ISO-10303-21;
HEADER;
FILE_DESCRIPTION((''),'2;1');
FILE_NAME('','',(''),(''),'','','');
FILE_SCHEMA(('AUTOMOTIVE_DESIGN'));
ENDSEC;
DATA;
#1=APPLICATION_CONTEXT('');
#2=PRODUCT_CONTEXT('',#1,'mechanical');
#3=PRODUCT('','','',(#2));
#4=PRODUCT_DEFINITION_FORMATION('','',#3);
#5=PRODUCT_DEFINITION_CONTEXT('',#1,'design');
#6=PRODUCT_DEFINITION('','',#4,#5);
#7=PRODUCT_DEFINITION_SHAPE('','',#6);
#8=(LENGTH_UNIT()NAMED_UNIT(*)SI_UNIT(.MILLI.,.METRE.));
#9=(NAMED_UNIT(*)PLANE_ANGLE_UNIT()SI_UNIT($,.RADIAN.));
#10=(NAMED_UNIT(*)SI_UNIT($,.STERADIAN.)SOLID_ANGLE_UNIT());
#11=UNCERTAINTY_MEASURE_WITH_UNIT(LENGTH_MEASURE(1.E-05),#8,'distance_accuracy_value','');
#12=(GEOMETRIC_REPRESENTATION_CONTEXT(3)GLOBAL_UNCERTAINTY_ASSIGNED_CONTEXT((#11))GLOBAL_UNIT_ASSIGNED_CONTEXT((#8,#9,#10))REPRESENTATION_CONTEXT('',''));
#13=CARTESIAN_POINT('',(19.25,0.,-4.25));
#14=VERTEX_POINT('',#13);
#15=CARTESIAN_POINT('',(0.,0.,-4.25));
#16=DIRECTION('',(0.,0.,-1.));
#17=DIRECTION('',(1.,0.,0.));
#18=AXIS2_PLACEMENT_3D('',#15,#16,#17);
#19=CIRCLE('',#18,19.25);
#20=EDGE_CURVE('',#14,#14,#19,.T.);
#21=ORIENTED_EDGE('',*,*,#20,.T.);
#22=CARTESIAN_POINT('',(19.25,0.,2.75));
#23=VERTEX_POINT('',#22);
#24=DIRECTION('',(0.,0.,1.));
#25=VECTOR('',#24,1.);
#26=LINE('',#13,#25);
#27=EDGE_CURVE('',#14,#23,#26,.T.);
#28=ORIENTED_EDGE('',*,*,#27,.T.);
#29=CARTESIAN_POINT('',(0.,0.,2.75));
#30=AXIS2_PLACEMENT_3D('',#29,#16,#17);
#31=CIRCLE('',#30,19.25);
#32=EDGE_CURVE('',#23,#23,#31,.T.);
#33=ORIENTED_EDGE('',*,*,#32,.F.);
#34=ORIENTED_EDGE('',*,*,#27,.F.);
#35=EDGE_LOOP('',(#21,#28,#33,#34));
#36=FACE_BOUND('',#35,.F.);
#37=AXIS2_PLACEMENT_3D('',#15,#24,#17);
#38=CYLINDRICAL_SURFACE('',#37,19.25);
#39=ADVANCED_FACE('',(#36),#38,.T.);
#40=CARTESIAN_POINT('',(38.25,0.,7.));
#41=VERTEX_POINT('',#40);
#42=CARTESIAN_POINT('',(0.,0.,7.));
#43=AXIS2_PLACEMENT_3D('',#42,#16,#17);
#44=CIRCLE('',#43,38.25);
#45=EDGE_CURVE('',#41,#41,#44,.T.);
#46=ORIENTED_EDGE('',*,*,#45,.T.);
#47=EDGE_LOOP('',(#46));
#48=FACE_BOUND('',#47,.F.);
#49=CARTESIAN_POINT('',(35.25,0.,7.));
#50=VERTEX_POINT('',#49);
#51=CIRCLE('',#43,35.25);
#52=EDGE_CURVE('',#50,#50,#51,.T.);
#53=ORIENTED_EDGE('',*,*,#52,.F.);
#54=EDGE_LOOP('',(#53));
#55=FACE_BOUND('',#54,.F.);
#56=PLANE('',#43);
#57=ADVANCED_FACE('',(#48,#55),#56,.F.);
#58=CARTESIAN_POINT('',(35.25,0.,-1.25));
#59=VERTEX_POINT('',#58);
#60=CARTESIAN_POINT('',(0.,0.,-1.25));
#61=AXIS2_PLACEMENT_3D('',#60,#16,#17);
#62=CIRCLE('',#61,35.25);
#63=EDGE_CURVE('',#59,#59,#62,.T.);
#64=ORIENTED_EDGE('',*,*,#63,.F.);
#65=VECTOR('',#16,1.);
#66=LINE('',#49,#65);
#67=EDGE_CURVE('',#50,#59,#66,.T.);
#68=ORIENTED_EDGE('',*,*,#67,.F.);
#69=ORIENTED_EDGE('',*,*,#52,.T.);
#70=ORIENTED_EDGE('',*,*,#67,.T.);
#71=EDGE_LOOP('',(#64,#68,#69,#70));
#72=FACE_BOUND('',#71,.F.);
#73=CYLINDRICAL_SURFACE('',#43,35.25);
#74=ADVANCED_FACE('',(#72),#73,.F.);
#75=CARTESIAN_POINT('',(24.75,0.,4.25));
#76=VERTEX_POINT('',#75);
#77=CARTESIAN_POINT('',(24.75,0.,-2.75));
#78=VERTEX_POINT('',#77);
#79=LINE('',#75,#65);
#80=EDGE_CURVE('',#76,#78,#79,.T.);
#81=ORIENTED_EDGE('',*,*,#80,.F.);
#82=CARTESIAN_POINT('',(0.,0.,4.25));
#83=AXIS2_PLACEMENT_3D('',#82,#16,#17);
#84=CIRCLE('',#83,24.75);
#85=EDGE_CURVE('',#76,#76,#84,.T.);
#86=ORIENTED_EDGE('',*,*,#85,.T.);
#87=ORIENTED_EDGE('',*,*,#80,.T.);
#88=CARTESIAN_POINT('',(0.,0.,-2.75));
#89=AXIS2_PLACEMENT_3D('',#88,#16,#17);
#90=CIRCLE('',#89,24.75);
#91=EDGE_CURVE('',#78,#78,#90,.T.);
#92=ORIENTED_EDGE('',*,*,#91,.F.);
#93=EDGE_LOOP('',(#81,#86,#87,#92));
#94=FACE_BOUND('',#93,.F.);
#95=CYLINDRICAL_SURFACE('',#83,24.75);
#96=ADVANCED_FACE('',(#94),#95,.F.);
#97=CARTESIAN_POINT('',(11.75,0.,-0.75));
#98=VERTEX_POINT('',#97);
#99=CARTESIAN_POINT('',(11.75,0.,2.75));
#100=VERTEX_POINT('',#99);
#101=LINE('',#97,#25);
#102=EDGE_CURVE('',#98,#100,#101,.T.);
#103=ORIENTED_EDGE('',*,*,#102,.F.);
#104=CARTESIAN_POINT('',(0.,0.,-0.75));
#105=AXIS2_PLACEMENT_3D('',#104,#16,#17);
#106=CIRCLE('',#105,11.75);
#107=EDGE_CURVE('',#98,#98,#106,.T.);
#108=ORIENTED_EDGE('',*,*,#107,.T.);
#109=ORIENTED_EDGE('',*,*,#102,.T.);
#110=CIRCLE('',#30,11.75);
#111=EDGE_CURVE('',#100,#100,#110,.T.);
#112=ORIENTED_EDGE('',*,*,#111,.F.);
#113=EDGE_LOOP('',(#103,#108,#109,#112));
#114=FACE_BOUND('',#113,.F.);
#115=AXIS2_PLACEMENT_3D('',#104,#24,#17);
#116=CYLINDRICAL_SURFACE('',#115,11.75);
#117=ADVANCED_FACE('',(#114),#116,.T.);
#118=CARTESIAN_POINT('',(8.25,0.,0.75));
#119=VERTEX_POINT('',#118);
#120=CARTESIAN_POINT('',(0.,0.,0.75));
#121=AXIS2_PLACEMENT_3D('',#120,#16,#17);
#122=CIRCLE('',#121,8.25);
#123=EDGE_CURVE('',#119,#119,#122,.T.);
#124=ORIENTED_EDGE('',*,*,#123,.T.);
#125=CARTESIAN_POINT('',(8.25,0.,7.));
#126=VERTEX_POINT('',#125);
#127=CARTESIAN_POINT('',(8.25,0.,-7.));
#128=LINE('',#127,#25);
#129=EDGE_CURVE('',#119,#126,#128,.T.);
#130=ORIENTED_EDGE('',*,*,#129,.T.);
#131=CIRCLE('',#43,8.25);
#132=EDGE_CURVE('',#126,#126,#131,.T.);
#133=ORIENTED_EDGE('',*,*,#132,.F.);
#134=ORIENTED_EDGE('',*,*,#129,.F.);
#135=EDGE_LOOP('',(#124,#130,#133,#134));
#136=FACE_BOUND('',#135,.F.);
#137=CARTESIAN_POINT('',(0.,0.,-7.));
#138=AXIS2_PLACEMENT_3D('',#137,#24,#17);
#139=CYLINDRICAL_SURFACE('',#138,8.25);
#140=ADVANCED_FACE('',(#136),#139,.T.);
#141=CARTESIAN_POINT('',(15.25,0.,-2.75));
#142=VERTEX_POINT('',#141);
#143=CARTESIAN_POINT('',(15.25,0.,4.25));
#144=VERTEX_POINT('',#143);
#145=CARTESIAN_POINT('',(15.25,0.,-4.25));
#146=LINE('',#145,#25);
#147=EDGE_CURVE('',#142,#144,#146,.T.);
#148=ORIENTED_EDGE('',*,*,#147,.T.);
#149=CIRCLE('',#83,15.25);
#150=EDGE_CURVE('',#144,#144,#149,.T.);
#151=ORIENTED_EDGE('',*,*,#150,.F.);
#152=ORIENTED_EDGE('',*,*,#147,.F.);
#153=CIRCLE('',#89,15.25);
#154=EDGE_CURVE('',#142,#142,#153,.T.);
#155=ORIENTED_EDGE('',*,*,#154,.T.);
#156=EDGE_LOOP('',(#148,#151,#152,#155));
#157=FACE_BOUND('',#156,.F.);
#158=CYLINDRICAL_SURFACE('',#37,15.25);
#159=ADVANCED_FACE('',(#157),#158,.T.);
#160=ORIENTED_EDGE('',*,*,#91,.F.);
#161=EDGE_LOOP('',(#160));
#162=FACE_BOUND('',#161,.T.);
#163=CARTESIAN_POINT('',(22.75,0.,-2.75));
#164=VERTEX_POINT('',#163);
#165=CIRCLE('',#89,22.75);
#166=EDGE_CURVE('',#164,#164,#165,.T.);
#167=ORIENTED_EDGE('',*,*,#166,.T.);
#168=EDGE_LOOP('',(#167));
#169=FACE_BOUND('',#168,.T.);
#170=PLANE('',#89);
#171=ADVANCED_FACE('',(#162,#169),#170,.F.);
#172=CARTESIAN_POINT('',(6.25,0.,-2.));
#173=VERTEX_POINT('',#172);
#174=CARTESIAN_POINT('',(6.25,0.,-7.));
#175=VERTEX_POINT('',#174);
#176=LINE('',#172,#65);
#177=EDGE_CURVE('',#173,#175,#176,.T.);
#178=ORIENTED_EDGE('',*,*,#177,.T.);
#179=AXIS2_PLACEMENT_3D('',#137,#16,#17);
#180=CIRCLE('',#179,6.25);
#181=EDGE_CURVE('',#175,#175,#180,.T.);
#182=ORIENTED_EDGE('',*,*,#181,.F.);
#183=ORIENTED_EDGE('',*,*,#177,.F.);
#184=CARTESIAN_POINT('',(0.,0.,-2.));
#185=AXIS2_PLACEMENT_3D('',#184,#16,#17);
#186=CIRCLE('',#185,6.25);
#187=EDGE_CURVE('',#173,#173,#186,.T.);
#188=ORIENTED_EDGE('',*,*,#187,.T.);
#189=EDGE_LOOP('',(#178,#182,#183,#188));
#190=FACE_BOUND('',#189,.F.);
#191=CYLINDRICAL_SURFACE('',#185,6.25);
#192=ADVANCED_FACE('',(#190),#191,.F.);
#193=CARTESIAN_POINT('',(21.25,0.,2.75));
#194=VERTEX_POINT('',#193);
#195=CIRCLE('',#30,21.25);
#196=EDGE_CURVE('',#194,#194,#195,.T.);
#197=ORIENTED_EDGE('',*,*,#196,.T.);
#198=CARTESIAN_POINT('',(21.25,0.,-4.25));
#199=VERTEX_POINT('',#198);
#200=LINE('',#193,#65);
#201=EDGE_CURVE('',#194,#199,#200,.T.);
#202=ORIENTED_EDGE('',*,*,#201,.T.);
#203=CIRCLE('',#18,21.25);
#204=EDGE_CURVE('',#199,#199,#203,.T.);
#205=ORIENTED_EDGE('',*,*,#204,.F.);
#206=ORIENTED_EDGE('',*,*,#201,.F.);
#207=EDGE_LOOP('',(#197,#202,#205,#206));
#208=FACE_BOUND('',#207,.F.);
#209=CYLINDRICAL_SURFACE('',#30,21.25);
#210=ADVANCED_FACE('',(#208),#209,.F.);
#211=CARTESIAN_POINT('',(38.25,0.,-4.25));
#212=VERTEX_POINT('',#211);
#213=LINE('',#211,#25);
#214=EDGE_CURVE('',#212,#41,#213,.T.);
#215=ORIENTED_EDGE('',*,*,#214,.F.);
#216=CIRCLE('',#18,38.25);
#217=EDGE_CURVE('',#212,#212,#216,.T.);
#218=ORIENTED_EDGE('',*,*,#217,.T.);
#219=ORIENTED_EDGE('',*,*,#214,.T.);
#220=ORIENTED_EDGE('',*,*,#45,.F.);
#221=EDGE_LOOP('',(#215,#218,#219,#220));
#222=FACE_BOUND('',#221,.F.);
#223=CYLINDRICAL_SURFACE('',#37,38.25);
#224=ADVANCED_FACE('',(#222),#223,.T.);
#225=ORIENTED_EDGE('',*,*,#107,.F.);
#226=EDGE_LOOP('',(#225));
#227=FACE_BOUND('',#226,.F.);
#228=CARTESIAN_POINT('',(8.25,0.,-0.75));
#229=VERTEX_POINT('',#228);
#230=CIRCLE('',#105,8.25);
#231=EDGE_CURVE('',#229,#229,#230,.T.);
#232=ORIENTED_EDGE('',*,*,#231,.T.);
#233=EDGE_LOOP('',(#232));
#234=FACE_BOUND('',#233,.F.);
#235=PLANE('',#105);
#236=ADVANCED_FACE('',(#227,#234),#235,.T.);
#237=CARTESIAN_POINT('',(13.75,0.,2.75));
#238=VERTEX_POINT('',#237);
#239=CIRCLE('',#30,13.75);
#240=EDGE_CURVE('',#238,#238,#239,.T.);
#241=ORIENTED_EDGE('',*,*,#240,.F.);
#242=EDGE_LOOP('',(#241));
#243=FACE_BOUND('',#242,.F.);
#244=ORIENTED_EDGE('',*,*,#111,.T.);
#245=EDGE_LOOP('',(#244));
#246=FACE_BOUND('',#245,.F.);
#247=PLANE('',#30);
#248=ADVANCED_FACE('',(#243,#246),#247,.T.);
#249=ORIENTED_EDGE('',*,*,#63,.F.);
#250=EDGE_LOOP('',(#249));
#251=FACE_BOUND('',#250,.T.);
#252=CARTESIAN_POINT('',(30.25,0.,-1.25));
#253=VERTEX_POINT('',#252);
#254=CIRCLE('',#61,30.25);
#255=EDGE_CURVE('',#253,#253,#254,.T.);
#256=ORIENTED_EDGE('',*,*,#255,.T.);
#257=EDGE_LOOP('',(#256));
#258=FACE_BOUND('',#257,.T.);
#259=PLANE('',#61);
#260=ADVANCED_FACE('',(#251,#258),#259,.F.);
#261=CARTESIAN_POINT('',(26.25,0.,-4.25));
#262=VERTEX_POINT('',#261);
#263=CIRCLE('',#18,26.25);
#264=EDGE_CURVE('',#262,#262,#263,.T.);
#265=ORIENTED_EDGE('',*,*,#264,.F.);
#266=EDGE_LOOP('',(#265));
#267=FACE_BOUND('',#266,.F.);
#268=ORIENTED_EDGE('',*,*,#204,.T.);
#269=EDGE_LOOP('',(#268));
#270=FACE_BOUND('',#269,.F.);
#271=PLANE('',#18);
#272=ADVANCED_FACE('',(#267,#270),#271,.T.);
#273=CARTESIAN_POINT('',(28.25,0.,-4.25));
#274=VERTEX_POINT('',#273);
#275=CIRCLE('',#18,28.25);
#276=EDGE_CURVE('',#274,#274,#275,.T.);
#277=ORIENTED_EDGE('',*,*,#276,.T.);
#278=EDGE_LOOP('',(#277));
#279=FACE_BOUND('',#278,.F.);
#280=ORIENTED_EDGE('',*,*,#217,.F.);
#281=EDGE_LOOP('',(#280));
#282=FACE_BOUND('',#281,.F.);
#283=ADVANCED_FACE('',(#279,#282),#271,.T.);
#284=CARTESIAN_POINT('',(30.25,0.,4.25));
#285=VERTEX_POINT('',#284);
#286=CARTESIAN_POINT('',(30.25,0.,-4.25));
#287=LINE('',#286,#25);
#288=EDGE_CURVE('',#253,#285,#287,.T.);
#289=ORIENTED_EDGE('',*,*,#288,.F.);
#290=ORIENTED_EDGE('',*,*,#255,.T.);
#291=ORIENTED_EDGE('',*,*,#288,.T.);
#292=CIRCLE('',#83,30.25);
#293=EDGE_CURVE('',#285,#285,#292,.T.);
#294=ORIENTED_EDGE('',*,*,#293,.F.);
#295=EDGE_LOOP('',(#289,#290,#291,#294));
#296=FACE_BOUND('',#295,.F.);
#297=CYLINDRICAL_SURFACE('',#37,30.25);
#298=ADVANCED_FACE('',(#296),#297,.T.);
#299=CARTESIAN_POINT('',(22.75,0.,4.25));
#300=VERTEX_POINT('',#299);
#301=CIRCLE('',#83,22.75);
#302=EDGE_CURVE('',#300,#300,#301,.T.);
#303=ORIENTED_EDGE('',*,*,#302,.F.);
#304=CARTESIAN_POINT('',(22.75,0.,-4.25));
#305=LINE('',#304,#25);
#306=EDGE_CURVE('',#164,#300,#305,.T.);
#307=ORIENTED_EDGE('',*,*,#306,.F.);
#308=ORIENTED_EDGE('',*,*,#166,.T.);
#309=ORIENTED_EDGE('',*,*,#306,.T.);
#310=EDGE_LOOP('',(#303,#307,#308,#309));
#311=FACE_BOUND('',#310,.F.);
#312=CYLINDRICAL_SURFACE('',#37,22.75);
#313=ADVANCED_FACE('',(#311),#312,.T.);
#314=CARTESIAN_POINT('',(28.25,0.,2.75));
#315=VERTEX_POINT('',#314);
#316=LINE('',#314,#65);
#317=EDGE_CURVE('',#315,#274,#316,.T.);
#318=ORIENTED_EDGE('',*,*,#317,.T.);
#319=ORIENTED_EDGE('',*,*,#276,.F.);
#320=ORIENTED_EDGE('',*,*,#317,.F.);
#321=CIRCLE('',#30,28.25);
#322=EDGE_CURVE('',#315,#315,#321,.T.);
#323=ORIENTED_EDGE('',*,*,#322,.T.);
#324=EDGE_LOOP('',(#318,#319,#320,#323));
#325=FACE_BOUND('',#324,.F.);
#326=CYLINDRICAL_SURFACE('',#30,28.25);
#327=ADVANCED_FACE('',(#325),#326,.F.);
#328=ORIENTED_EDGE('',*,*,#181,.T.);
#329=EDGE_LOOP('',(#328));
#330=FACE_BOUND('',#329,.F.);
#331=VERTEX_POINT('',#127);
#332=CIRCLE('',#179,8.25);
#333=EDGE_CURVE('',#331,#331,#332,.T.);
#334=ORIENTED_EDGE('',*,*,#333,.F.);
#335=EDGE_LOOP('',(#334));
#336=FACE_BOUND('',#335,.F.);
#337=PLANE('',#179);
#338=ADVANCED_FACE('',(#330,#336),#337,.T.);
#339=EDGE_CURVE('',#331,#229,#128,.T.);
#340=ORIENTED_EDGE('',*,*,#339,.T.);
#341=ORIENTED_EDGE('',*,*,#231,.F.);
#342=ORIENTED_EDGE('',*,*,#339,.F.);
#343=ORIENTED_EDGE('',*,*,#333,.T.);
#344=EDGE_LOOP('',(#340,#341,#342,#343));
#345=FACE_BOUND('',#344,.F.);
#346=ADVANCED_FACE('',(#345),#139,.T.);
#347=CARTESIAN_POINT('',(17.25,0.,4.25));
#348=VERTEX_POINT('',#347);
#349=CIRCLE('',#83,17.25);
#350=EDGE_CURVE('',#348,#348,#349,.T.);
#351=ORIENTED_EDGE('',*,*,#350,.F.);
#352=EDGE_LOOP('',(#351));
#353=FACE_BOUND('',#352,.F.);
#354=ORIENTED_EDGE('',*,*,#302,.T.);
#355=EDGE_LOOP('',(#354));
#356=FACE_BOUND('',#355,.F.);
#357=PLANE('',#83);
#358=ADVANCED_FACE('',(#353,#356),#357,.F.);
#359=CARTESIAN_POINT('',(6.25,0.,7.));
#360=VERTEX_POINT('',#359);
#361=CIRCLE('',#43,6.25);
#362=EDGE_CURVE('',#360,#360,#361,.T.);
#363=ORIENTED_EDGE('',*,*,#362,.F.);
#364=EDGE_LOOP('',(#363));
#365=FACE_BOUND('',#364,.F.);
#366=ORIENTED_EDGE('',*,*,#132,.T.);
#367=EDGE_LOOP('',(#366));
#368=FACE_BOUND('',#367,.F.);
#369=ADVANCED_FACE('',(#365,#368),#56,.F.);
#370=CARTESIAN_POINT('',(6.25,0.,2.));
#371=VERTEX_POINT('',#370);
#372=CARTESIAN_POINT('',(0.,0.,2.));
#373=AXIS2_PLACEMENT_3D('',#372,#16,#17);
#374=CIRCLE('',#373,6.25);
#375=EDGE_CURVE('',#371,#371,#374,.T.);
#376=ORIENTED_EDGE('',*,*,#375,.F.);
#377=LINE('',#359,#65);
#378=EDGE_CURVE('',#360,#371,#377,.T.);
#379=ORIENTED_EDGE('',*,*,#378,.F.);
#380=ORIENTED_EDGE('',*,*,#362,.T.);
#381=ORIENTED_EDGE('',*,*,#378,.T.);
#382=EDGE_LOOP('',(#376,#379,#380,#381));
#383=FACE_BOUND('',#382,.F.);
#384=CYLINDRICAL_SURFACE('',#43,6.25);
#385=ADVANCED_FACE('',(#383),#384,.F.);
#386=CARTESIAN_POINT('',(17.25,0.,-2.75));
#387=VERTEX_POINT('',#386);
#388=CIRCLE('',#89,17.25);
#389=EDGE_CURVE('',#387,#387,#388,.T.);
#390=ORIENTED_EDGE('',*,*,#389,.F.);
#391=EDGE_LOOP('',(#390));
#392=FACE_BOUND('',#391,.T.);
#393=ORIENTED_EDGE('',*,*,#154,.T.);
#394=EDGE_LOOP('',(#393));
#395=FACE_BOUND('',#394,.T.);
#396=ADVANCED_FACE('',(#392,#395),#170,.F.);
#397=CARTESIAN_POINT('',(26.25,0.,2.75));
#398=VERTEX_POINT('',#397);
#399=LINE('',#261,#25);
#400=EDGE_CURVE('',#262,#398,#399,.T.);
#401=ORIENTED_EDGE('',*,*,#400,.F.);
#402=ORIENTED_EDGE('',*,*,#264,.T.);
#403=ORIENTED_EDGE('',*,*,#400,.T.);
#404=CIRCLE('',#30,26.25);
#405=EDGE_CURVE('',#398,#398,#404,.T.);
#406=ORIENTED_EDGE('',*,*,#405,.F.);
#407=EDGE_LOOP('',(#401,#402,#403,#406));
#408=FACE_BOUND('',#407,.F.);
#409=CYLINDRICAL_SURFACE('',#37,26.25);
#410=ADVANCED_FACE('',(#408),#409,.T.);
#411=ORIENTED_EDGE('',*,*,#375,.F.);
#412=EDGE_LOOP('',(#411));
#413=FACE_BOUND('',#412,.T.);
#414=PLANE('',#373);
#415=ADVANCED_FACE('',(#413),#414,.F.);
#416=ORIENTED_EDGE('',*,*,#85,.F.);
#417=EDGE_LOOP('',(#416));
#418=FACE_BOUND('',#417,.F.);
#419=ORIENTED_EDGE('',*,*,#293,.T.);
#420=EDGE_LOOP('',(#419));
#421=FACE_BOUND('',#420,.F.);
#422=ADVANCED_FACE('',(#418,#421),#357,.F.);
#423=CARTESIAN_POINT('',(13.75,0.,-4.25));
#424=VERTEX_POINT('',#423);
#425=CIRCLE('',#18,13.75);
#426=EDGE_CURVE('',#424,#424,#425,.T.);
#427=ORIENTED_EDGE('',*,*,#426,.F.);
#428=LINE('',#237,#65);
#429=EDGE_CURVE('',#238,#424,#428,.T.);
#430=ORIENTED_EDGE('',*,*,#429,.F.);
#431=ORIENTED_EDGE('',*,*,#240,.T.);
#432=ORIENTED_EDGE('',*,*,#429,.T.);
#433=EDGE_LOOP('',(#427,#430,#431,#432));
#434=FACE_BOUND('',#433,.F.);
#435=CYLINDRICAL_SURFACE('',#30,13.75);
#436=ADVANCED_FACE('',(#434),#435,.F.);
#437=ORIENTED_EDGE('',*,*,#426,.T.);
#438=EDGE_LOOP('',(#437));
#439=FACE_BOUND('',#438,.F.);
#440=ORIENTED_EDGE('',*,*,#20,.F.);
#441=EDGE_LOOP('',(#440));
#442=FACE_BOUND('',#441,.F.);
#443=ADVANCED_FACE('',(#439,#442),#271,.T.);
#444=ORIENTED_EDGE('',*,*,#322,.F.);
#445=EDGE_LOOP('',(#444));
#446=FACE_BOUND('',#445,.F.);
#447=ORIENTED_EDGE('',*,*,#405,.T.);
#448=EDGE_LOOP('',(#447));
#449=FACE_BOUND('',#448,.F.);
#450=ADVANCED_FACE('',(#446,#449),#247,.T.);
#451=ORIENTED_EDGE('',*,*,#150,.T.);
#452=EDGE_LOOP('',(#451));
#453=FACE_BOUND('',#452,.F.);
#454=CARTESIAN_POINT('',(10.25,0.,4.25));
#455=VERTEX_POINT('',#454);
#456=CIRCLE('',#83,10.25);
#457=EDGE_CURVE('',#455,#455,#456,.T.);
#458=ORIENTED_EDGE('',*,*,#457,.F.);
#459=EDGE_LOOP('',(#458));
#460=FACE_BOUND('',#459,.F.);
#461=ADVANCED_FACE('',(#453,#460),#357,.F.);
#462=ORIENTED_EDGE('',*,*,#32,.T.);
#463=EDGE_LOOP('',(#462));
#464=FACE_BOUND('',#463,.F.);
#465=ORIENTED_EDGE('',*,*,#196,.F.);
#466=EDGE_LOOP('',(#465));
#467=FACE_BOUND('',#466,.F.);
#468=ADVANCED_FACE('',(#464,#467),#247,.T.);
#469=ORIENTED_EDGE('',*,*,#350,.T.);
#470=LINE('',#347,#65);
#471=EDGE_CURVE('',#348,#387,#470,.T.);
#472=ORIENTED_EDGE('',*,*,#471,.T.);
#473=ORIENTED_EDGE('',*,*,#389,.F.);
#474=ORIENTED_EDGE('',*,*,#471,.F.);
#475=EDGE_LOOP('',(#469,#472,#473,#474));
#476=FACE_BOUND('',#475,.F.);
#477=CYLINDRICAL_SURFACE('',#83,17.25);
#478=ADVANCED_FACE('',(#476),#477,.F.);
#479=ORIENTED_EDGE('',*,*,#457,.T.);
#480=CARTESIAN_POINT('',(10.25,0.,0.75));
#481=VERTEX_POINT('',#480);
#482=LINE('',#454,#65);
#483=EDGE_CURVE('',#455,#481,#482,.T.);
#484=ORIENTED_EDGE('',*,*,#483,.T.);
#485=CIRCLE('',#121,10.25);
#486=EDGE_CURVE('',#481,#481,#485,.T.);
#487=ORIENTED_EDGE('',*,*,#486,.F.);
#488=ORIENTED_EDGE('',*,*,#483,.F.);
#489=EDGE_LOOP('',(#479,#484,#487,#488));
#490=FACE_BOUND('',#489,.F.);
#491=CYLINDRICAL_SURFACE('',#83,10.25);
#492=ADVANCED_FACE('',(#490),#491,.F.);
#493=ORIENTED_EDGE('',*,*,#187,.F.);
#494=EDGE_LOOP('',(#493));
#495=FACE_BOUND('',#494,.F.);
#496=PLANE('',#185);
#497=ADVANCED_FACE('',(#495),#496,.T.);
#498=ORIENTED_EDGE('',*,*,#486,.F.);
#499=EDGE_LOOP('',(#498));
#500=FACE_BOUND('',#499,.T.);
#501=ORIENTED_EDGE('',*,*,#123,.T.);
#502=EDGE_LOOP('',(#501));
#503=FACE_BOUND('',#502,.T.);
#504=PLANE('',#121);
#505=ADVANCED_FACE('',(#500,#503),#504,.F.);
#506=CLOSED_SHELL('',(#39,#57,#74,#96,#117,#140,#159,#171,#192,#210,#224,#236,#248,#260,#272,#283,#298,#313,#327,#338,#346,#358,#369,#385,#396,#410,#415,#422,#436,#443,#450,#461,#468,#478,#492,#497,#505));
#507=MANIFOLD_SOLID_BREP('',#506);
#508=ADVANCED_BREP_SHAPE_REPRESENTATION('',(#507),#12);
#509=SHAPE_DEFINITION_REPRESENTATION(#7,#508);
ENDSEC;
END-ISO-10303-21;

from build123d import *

# Parameters (mm, degrees)
F0_W   = 6.25
F0_H   = 2
F0_W_2 = 2
F0_H_2 = 0.75
F0_H_3 = 1.5
F0_W_3 = 5
F0_H_4 = 3


with BuildPart() as f2:
    # F0 (on Front) → F2 (revolve)
    with BuildSketch(Plane.XZ):
        with Locations((3.125, 1)):
            Rectangle(F0_W, F0_H)
        with Locations((3.125, -1)):
            Rectangle(F0_W, F0_H)
        Polygon((8.25, 0), (6.25, 0), (6.25, -2), (6.25, -7), (8.25, -7), (8.25, -0.75), align=None)
        Polygon((6.25, 2), (6.25, 0), (8.25, 0), (8.25, 0.75), (8.25, 7), (6.25, 7), align=None)
        with Locations((9.25, -0.375)):
            Rectangle(F0_W_2, F0_H_2)
        with Locations((9.25, 0.375)):
            Rectangle(F0_W_2, F0_H_2)
        Polygon((10.25, 0.75), (10.25, 0), (10.25, -0.75), (11.75, -0.75), (11.75, 2.75), (11.75, 4.25), (10.25, 4.25), align=None)
        with Locations((12.75, 3.5)):
            Rectangle(F0_W_2, F0_H_3)
        Polygon((15.25, 4.25), (13.75, 4.25), (13.75, 2.75), (13.75, -4.25), (15.25, -4.25), (15.25, -2.75), align=None)
        with Locations((16.25, -3.5)):
            Rectangle(F0_W_2, F0_H_3)
        Polygon((17.25, 4.25), (17.25, -2.75), (17.25, -4.25), (19.25, -4.25), (19.25, 2.75), (19.25, 4.25), align=None)
        with Locations((20.25, 3.5)):
            Rectangle(F0_W_2, F0_H_3)
        Polygon((22.75, 4.25), (21.25, 4.25), (21.25, 2.75), (21.25, -4.25), (22.75, -4.25), (22.75, -2.75), align=None)
        with Locations((23.75, -3.5)):
            Rectangle(F0_W_2, F0_H_3)
        Polygon((24.75, 4.25), (24.75, -2.75), (24.75, -4.25), (26.25, -4.25), (26.25, 2.75), (26.25, 4.25), align=None)
        with Locations((27.25, 3.5)):
            Rectangle(F0_W_2, F0_H_3)
        Polygon((30.25, 4.25), (28.25, 4.25), (28.25, 2.75), (28.25, -4.25), (30.25, -4.25), (30.25, -1.25), align=None)
        with Locations((32.75, -2.75)):
            Rectangle(F0_W_3, F0_H_4)
        Polygon((35.25, 7), (35.25, -1.25), (35.25, -4.25), (38.25, -4.25), (38.25, 7), align=None)
    revolve(axis=Axis((0, 0, -2.002694), (0, 0, -1)))


solid = f2.part
